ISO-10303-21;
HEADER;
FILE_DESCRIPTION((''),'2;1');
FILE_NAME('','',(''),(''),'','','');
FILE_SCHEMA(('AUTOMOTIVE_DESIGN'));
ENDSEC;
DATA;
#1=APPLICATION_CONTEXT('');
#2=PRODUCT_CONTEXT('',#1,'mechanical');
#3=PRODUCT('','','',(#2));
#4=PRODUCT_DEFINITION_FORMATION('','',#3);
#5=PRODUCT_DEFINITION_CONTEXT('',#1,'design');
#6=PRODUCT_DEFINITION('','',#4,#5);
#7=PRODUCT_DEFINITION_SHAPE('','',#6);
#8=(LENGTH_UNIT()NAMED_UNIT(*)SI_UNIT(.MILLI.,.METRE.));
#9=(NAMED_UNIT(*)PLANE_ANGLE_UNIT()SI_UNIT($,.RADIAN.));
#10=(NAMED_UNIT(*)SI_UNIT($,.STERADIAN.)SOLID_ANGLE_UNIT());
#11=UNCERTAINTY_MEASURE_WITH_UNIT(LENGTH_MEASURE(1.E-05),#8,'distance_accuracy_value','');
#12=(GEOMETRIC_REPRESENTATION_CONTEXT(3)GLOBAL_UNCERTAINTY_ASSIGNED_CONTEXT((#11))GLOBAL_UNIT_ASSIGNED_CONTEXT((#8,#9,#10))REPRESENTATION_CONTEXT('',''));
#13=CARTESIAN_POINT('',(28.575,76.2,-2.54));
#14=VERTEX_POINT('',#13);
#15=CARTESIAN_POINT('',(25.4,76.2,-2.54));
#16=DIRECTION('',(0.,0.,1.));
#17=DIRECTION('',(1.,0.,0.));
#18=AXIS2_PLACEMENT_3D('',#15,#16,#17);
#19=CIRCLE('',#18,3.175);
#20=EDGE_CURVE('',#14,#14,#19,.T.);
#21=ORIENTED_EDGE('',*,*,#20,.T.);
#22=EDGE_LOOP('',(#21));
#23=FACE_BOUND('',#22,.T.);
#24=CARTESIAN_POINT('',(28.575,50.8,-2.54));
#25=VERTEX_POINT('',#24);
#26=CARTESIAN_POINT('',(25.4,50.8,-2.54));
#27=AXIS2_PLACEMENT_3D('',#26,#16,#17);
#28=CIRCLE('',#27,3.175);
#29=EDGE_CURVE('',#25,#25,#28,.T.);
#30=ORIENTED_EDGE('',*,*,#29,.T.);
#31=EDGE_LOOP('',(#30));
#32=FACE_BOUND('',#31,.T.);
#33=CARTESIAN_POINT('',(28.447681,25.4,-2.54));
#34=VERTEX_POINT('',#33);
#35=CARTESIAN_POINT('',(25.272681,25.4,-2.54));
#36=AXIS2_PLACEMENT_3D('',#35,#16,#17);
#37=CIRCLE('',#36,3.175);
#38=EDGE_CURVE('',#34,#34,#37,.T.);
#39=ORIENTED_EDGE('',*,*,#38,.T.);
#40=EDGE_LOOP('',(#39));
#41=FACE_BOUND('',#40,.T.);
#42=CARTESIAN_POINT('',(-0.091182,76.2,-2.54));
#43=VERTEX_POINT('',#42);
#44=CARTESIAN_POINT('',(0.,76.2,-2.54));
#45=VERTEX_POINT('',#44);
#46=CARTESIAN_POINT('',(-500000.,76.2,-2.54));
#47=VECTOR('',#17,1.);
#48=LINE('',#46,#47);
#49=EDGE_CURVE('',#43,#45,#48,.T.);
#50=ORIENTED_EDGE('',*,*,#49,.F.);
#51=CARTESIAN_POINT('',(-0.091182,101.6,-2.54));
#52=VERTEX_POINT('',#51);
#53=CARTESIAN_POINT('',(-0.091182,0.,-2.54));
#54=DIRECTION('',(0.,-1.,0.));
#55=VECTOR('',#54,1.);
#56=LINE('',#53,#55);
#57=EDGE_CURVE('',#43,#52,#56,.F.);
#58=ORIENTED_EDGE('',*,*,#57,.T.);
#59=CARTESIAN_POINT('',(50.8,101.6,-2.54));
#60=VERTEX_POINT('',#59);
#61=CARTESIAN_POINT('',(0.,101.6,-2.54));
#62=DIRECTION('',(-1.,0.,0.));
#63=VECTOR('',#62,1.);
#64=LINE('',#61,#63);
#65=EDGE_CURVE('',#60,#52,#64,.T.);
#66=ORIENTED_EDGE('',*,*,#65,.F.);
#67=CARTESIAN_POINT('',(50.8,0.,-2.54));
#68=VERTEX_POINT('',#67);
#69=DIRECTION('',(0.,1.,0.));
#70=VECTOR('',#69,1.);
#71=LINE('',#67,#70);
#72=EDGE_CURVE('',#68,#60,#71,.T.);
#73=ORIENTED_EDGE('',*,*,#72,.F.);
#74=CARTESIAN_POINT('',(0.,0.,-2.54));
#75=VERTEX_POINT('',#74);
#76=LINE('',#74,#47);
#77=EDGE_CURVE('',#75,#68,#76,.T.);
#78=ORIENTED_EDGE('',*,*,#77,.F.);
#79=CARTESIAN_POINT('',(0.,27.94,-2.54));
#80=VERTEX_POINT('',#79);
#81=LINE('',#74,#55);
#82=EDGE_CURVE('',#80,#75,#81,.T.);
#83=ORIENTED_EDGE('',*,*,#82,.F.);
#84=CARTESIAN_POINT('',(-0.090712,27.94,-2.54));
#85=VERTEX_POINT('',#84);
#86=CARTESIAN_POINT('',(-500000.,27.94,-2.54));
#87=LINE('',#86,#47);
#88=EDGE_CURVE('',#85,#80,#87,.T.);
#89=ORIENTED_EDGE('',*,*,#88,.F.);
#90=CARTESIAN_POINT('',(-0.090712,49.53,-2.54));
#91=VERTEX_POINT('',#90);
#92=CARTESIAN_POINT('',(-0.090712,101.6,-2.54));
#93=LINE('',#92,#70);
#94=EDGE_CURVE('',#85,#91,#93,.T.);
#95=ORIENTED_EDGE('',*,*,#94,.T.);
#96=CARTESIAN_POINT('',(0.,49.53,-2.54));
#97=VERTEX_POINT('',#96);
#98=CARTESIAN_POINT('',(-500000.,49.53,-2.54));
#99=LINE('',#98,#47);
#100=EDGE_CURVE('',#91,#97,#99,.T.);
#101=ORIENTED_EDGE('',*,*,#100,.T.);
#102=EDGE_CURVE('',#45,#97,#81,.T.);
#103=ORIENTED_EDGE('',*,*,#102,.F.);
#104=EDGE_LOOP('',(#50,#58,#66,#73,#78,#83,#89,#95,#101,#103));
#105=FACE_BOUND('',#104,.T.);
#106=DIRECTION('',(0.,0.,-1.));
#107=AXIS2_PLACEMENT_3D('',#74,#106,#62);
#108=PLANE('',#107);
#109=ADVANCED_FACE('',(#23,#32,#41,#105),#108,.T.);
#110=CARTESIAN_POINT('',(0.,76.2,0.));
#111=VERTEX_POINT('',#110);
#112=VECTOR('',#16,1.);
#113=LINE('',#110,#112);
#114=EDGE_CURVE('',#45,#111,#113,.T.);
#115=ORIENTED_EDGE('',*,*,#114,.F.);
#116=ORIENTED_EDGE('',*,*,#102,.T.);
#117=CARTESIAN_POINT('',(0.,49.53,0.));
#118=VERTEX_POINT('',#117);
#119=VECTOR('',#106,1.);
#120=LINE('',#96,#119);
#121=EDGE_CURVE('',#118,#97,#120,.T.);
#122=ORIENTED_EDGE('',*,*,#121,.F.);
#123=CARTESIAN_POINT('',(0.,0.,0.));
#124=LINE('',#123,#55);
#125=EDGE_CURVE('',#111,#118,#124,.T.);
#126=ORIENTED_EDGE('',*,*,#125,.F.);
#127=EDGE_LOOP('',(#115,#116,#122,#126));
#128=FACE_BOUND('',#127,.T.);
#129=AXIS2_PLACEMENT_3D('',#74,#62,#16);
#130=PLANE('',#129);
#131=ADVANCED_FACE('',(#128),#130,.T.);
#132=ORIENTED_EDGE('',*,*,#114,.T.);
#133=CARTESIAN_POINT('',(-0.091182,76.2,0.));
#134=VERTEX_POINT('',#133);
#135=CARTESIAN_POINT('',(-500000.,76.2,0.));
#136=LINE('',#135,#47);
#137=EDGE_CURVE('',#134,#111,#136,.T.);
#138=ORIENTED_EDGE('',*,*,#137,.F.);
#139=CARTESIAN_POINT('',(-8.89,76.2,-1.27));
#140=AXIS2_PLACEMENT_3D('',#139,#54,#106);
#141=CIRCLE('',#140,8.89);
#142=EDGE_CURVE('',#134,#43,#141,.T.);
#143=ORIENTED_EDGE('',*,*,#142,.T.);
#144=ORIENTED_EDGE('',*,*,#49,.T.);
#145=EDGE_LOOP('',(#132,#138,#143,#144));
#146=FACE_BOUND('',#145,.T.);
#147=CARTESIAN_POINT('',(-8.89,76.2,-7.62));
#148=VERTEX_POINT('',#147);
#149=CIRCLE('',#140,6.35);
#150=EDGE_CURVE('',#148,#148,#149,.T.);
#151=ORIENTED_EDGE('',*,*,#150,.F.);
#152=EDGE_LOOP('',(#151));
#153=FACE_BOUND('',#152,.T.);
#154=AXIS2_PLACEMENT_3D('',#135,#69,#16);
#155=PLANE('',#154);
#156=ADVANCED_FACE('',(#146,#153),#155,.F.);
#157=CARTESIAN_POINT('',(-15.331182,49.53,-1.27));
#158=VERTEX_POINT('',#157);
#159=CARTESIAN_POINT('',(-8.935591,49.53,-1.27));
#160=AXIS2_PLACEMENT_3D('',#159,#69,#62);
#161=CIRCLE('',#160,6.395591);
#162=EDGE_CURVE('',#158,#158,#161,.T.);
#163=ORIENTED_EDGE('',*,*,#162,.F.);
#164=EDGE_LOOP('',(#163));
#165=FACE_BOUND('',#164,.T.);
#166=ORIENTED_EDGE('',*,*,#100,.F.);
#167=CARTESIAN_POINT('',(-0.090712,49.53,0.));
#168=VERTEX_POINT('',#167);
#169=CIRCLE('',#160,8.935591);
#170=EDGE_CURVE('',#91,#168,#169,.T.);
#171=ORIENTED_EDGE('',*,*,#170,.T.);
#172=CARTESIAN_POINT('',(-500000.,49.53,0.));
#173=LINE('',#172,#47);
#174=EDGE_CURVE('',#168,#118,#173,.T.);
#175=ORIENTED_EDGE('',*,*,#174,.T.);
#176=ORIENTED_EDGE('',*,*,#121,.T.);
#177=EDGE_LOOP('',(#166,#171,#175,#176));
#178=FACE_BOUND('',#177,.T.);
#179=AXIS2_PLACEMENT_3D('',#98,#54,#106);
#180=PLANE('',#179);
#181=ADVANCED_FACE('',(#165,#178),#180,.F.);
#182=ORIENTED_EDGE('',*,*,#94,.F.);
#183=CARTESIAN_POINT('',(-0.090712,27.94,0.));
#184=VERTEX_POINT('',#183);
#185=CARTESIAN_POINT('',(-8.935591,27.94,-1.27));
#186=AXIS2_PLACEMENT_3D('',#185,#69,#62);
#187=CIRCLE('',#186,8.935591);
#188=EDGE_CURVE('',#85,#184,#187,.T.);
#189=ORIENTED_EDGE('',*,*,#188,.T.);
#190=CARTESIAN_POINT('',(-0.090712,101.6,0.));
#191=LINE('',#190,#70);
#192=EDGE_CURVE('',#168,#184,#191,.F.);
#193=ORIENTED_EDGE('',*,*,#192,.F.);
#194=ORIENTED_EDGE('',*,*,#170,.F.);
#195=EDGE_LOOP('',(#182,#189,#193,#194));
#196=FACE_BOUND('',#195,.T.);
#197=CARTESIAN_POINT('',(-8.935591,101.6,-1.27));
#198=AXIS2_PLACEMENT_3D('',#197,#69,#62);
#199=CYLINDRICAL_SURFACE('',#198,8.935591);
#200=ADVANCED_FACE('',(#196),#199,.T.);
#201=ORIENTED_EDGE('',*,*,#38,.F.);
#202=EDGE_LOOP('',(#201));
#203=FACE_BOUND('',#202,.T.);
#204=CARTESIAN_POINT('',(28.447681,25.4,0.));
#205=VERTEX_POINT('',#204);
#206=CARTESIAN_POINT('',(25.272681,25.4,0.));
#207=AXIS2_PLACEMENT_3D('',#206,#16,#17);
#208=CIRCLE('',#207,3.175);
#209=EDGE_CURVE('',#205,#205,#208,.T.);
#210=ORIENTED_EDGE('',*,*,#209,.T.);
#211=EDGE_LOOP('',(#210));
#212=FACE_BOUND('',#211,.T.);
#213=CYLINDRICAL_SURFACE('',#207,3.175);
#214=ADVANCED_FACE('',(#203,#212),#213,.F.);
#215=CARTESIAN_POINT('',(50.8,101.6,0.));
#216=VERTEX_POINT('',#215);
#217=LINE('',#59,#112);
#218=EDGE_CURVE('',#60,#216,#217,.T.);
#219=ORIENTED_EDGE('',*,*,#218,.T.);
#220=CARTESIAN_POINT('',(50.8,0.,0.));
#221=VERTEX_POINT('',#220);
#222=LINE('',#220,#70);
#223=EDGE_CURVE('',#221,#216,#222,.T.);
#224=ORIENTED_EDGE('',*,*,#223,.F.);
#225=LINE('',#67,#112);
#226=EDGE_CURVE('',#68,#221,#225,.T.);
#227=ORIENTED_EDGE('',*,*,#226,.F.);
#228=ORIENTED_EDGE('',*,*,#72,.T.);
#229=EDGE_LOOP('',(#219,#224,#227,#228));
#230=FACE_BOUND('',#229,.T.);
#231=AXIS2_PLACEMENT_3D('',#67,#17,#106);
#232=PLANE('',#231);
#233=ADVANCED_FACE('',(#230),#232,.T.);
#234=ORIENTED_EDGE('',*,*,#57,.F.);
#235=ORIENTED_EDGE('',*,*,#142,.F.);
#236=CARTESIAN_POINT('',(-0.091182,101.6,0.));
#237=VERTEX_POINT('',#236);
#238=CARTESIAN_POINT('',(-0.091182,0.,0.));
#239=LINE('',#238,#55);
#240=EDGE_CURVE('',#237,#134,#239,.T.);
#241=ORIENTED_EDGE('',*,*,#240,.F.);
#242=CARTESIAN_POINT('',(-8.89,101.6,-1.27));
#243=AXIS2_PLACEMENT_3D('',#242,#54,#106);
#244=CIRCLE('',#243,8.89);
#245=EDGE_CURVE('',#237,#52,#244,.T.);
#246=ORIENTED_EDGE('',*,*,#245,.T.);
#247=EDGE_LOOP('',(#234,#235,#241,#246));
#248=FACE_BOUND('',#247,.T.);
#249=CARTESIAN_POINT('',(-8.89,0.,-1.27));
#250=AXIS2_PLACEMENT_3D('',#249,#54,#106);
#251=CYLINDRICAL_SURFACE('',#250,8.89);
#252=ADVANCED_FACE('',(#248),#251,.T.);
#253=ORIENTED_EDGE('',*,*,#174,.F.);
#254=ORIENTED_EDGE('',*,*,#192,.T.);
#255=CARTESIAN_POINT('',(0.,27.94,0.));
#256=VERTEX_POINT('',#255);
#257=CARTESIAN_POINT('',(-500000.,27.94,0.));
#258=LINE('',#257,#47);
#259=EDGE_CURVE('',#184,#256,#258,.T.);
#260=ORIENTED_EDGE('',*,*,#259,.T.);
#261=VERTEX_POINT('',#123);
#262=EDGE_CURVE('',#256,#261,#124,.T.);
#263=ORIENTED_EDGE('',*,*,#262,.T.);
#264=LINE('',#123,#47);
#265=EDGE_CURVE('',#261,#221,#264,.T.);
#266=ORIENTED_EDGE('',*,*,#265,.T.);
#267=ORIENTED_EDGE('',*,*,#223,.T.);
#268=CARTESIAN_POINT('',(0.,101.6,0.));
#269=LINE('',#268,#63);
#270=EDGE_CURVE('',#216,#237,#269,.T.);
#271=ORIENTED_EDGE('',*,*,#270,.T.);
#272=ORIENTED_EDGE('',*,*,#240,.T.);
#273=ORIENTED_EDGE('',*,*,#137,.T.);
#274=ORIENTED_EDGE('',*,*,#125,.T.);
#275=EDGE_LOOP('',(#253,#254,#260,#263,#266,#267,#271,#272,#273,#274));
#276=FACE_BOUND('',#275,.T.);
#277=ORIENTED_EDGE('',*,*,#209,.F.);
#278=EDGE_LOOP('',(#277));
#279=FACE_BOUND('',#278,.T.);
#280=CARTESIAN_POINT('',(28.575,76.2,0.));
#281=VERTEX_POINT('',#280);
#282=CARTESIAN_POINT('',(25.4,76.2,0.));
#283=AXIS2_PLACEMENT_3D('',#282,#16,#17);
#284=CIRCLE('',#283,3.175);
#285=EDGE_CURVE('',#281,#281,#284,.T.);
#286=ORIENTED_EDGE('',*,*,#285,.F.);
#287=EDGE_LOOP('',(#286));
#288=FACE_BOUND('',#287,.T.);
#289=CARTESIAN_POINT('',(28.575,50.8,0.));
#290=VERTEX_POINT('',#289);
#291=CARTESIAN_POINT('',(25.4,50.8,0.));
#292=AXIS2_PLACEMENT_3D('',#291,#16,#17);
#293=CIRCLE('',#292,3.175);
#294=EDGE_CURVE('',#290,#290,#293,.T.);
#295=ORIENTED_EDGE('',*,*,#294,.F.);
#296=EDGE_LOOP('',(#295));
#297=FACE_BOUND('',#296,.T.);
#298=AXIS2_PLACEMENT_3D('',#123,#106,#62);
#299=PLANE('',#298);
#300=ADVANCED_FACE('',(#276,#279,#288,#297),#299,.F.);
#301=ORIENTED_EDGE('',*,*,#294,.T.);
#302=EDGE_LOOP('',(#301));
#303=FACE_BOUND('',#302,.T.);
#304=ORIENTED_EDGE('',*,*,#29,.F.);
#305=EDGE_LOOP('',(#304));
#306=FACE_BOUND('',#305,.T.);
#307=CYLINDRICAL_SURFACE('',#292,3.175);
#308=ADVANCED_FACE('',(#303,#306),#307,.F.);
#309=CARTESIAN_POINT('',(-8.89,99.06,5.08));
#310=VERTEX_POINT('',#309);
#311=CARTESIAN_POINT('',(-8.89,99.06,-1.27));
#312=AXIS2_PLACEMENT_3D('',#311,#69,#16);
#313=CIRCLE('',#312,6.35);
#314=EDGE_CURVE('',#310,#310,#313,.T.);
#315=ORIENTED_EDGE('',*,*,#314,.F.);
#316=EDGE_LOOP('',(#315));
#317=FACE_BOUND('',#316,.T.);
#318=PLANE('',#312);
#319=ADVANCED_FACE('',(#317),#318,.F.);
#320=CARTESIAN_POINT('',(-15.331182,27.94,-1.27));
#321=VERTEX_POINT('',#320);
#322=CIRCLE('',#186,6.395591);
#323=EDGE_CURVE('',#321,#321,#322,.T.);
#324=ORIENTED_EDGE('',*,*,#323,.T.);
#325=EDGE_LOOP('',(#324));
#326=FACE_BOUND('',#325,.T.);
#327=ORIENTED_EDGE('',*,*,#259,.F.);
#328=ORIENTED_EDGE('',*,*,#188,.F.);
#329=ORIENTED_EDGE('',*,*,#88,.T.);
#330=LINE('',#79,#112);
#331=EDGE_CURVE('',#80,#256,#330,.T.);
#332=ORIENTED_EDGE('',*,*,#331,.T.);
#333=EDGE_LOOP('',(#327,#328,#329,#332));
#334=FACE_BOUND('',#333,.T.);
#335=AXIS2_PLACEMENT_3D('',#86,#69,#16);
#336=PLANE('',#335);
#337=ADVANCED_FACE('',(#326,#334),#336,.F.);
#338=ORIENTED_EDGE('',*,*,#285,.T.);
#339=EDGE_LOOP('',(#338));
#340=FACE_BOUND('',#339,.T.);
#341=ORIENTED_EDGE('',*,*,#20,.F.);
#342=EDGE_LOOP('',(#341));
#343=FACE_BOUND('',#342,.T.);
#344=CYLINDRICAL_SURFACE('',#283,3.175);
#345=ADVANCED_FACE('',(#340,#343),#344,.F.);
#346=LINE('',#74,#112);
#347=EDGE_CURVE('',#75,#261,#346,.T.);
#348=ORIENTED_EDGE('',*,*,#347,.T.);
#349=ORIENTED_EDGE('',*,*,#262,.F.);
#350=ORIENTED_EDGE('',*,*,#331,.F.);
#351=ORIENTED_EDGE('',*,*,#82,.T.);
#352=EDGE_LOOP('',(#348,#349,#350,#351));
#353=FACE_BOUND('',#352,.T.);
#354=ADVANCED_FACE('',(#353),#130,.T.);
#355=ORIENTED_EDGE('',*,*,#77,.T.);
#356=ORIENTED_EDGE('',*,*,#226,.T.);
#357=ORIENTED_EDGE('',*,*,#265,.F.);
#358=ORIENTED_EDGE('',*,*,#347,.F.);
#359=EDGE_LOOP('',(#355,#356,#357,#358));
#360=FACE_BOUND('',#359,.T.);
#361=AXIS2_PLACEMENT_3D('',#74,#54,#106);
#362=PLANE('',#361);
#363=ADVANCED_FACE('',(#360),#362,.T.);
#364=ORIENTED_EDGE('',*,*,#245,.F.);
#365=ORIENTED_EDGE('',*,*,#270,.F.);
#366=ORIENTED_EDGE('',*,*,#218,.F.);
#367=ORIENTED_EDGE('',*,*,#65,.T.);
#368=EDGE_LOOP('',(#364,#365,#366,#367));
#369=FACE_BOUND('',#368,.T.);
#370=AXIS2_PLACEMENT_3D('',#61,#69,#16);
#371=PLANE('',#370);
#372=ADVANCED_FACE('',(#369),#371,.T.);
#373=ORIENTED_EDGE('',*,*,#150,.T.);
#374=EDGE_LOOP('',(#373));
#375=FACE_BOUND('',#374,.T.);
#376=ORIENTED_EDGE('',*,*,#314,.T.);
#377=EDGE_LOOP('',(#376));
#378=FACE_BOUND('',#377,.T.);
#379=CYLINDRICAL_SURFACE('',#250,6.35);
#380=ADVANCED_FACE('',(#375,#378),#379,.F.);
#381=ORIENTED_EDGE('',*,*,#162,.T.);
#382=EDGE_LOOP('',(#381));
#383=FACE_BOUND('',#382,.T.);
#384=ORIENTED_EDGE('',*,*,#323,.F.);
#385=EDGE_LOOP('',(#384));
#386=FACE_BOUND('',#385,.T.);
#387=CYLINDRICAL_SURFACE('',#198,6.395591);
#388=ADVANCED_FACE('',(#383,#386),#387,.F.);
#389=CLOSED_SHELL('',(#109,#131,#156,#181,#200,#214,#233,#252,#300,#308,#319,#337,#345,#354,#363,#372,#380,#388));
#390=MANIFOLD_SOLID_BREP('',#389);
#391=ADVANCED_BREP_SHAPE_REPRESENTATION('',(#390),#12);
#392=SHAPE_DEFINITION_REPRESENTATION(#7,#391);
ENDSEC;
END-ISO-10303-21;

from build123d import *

# Parameters (mm, degrees)
SKETCH1_W                   = 50.8
SKETCH1_H                   = 101.6
BOSS_EXTRUDE2_DEPTH         = 2.54
F_1_4_0_25_DIAMETER_HOLE1_D = 6.35
SKETCH5_W                   = 2.54
SKETCH5_H                   = 25.4
BOSS_EXTRUDE3_REACH         = 116.046
BOSS_EXTRUDE3_END_RADIUS    = 6.35
SKETCH6_W                   = 2.54
SKETCH6_H                   = 25.4
SKETCH7_W                   = 2.54
SKETCH7_H                   = 21.59
BOSS_EXTRUDE4_REACH         = 116.05
BOSS_EXTRUDE4_END_RADIUS    = 6.395590949
SKETCH8_W                   = 2.54
SKETCH8_H                   = 21.59
BOSS_EXTRUDE5_START         = -2.54
SKETCH9_R                   = 6.35
BOSS_EXTRUDE5_DEPTH         = 2.54


with BuildPart() as part:
    # Sketch1 → Boss-Extrude2 (new body)
    with BuildSketch(Plane.XY):
        with Locations((25.4, 50.8)):
            Rectangle(SKETCH1_W, SKETCH1_H)
    extrude(amount=-BOSS_EXTRUDE2_DEPTH)

    # 1/4 (0.25) Diameter Hole1 (through all)
    with Locations(Plane(origin=(25.4, 76.2, 0), x_dir=(1, 0, 0), z_dir=(0, 0, 1))):
        with Locations((0, 0), (-0.127319097, -50.8), (0, -25.4)):
            Hole(F_1_4_0_25_DIAMETER_HOLE1_D / 2)



with BuildPart() as body_2:
    # Sketch5 → Revolve2 (revolve)
    with BuildSketch(Plane.XY.offset(-1.27), mode=Mode.PRIVATE) as revolve2_sk:
        with Locations((-1.27, 88.9)):
            Rectangle(SKETCH5_W, SKETCH5_H)
    revolve(revolve2_sk.sketch.rotate(Axis((-8.89, 0, -1.27), (0, 1, 0)), 90), axis=Axis((-8.89, 0, -1.27), (0, 1, 0)))


with BuildPart() as part_1:
    add(part.part)

    add(body_2.part)  # Boss-Extrude3 merges body 2
    # Boss-Extrude3: up to this cylinder (the profile starts outside it)
    boss_extrude3_end = Plane(origin=(-8.89, 88.9, -1.27), z_dir=(0, -1, 0)) * Cylinder(BOSS_EXTRUDE3_END_RADIUS, 245.792, mode=Mode.PRIVATE)
    # Sketch6 → Boss-Extrude3 (add, up to the surface)
    with BuildSketch(Plane.ZY, mode=Mode.PRIVATE) as boss_extrude3_sk1:
        with Locations((-1.27, 88.9)):
            Rectangle(SKETCH6_W, SKETCH6_H)
    boss_extrude3_tool1 = extrude(boss_extrude3_sk1.sketch, amount=BOSS_EXTRUDE3_REACH, mode=Mode.PRIVATE) - boss_extrude3_end
    add(boss_extrude3_tool1.solids().sort_by_distance((0, 88.9, -1.27))[0])



with BuildPart() as body_2_2:
    # Sketch7 → Revolve3 (revolve)
    with BuildSketch(Plane.XY.offset(-1.27), mode=Mode.PRIVATE) as revolve3_sk:
        with Locations((-1.27, 38.735)):
            Rectangle(SKETCH7_W, SKETCH7_H)
    revolve(revolve3_sk.sketch.rotate(Axis((-8.935590949, 101.6, -1.27), (0, -1, 0)), 180), axis=Axis((-8.935590949, 101.6, -1.27), (0, -1, 0)))


with BuildPart() as part_2:
    add(part_1.part)

    add(body_2_2.part)  # Boss-Extrude4 merges body 2 2
    # Boss-Extrude4: up to this cylinder (the profile starts outside it)
    boss_extrude4_end = Plane(origin=(-8.935590949, 38.735, -1.27), z_dir=(0, 1, 0)) * Cylinder(BOSS_EXTRUDE4_END_RADIUS, 245.891181898, mode=Mode.PRIVATE)
    # Sketch8 → Boss-Extrude4 (add, up to the surface)
    with BuildSketch(Plane.ZY, mode=Mode.PRIVATE) as boss_extrude4_sk1:
        with Locations((-1.27, 38.735)):
            Rectangle(SKETCH8_W, SKETCH8_H)
    boss_extrude4_tool1 = extrude(boss_extrude4_sk1.sketch, amount=BOSS_EXTRUDE4_REACH, mode=Mode.PRIVATE) - boss_extrude4_end
    add(boss_extrude4_tool1.solids().sort_by_distance((0, 38.735, -1.27))[0])

    # Sketch9 → Boss-Extrude5 (add)
    with BuildSketch(Plane(origin=(0, 101.6, 0), x_dir=(1, 0, 0), z_dir=(0, 1, 0)).offset(BOSS_EXTRUDE5_START)):
        with Locations(Location((-8.89, 1.27, 0), (0, 0, 90))):
            Circle(SKETCH9_R)
    extrude(amount=BOSS_EXTRUDE5_DEPTH)


solid = part_2.part
